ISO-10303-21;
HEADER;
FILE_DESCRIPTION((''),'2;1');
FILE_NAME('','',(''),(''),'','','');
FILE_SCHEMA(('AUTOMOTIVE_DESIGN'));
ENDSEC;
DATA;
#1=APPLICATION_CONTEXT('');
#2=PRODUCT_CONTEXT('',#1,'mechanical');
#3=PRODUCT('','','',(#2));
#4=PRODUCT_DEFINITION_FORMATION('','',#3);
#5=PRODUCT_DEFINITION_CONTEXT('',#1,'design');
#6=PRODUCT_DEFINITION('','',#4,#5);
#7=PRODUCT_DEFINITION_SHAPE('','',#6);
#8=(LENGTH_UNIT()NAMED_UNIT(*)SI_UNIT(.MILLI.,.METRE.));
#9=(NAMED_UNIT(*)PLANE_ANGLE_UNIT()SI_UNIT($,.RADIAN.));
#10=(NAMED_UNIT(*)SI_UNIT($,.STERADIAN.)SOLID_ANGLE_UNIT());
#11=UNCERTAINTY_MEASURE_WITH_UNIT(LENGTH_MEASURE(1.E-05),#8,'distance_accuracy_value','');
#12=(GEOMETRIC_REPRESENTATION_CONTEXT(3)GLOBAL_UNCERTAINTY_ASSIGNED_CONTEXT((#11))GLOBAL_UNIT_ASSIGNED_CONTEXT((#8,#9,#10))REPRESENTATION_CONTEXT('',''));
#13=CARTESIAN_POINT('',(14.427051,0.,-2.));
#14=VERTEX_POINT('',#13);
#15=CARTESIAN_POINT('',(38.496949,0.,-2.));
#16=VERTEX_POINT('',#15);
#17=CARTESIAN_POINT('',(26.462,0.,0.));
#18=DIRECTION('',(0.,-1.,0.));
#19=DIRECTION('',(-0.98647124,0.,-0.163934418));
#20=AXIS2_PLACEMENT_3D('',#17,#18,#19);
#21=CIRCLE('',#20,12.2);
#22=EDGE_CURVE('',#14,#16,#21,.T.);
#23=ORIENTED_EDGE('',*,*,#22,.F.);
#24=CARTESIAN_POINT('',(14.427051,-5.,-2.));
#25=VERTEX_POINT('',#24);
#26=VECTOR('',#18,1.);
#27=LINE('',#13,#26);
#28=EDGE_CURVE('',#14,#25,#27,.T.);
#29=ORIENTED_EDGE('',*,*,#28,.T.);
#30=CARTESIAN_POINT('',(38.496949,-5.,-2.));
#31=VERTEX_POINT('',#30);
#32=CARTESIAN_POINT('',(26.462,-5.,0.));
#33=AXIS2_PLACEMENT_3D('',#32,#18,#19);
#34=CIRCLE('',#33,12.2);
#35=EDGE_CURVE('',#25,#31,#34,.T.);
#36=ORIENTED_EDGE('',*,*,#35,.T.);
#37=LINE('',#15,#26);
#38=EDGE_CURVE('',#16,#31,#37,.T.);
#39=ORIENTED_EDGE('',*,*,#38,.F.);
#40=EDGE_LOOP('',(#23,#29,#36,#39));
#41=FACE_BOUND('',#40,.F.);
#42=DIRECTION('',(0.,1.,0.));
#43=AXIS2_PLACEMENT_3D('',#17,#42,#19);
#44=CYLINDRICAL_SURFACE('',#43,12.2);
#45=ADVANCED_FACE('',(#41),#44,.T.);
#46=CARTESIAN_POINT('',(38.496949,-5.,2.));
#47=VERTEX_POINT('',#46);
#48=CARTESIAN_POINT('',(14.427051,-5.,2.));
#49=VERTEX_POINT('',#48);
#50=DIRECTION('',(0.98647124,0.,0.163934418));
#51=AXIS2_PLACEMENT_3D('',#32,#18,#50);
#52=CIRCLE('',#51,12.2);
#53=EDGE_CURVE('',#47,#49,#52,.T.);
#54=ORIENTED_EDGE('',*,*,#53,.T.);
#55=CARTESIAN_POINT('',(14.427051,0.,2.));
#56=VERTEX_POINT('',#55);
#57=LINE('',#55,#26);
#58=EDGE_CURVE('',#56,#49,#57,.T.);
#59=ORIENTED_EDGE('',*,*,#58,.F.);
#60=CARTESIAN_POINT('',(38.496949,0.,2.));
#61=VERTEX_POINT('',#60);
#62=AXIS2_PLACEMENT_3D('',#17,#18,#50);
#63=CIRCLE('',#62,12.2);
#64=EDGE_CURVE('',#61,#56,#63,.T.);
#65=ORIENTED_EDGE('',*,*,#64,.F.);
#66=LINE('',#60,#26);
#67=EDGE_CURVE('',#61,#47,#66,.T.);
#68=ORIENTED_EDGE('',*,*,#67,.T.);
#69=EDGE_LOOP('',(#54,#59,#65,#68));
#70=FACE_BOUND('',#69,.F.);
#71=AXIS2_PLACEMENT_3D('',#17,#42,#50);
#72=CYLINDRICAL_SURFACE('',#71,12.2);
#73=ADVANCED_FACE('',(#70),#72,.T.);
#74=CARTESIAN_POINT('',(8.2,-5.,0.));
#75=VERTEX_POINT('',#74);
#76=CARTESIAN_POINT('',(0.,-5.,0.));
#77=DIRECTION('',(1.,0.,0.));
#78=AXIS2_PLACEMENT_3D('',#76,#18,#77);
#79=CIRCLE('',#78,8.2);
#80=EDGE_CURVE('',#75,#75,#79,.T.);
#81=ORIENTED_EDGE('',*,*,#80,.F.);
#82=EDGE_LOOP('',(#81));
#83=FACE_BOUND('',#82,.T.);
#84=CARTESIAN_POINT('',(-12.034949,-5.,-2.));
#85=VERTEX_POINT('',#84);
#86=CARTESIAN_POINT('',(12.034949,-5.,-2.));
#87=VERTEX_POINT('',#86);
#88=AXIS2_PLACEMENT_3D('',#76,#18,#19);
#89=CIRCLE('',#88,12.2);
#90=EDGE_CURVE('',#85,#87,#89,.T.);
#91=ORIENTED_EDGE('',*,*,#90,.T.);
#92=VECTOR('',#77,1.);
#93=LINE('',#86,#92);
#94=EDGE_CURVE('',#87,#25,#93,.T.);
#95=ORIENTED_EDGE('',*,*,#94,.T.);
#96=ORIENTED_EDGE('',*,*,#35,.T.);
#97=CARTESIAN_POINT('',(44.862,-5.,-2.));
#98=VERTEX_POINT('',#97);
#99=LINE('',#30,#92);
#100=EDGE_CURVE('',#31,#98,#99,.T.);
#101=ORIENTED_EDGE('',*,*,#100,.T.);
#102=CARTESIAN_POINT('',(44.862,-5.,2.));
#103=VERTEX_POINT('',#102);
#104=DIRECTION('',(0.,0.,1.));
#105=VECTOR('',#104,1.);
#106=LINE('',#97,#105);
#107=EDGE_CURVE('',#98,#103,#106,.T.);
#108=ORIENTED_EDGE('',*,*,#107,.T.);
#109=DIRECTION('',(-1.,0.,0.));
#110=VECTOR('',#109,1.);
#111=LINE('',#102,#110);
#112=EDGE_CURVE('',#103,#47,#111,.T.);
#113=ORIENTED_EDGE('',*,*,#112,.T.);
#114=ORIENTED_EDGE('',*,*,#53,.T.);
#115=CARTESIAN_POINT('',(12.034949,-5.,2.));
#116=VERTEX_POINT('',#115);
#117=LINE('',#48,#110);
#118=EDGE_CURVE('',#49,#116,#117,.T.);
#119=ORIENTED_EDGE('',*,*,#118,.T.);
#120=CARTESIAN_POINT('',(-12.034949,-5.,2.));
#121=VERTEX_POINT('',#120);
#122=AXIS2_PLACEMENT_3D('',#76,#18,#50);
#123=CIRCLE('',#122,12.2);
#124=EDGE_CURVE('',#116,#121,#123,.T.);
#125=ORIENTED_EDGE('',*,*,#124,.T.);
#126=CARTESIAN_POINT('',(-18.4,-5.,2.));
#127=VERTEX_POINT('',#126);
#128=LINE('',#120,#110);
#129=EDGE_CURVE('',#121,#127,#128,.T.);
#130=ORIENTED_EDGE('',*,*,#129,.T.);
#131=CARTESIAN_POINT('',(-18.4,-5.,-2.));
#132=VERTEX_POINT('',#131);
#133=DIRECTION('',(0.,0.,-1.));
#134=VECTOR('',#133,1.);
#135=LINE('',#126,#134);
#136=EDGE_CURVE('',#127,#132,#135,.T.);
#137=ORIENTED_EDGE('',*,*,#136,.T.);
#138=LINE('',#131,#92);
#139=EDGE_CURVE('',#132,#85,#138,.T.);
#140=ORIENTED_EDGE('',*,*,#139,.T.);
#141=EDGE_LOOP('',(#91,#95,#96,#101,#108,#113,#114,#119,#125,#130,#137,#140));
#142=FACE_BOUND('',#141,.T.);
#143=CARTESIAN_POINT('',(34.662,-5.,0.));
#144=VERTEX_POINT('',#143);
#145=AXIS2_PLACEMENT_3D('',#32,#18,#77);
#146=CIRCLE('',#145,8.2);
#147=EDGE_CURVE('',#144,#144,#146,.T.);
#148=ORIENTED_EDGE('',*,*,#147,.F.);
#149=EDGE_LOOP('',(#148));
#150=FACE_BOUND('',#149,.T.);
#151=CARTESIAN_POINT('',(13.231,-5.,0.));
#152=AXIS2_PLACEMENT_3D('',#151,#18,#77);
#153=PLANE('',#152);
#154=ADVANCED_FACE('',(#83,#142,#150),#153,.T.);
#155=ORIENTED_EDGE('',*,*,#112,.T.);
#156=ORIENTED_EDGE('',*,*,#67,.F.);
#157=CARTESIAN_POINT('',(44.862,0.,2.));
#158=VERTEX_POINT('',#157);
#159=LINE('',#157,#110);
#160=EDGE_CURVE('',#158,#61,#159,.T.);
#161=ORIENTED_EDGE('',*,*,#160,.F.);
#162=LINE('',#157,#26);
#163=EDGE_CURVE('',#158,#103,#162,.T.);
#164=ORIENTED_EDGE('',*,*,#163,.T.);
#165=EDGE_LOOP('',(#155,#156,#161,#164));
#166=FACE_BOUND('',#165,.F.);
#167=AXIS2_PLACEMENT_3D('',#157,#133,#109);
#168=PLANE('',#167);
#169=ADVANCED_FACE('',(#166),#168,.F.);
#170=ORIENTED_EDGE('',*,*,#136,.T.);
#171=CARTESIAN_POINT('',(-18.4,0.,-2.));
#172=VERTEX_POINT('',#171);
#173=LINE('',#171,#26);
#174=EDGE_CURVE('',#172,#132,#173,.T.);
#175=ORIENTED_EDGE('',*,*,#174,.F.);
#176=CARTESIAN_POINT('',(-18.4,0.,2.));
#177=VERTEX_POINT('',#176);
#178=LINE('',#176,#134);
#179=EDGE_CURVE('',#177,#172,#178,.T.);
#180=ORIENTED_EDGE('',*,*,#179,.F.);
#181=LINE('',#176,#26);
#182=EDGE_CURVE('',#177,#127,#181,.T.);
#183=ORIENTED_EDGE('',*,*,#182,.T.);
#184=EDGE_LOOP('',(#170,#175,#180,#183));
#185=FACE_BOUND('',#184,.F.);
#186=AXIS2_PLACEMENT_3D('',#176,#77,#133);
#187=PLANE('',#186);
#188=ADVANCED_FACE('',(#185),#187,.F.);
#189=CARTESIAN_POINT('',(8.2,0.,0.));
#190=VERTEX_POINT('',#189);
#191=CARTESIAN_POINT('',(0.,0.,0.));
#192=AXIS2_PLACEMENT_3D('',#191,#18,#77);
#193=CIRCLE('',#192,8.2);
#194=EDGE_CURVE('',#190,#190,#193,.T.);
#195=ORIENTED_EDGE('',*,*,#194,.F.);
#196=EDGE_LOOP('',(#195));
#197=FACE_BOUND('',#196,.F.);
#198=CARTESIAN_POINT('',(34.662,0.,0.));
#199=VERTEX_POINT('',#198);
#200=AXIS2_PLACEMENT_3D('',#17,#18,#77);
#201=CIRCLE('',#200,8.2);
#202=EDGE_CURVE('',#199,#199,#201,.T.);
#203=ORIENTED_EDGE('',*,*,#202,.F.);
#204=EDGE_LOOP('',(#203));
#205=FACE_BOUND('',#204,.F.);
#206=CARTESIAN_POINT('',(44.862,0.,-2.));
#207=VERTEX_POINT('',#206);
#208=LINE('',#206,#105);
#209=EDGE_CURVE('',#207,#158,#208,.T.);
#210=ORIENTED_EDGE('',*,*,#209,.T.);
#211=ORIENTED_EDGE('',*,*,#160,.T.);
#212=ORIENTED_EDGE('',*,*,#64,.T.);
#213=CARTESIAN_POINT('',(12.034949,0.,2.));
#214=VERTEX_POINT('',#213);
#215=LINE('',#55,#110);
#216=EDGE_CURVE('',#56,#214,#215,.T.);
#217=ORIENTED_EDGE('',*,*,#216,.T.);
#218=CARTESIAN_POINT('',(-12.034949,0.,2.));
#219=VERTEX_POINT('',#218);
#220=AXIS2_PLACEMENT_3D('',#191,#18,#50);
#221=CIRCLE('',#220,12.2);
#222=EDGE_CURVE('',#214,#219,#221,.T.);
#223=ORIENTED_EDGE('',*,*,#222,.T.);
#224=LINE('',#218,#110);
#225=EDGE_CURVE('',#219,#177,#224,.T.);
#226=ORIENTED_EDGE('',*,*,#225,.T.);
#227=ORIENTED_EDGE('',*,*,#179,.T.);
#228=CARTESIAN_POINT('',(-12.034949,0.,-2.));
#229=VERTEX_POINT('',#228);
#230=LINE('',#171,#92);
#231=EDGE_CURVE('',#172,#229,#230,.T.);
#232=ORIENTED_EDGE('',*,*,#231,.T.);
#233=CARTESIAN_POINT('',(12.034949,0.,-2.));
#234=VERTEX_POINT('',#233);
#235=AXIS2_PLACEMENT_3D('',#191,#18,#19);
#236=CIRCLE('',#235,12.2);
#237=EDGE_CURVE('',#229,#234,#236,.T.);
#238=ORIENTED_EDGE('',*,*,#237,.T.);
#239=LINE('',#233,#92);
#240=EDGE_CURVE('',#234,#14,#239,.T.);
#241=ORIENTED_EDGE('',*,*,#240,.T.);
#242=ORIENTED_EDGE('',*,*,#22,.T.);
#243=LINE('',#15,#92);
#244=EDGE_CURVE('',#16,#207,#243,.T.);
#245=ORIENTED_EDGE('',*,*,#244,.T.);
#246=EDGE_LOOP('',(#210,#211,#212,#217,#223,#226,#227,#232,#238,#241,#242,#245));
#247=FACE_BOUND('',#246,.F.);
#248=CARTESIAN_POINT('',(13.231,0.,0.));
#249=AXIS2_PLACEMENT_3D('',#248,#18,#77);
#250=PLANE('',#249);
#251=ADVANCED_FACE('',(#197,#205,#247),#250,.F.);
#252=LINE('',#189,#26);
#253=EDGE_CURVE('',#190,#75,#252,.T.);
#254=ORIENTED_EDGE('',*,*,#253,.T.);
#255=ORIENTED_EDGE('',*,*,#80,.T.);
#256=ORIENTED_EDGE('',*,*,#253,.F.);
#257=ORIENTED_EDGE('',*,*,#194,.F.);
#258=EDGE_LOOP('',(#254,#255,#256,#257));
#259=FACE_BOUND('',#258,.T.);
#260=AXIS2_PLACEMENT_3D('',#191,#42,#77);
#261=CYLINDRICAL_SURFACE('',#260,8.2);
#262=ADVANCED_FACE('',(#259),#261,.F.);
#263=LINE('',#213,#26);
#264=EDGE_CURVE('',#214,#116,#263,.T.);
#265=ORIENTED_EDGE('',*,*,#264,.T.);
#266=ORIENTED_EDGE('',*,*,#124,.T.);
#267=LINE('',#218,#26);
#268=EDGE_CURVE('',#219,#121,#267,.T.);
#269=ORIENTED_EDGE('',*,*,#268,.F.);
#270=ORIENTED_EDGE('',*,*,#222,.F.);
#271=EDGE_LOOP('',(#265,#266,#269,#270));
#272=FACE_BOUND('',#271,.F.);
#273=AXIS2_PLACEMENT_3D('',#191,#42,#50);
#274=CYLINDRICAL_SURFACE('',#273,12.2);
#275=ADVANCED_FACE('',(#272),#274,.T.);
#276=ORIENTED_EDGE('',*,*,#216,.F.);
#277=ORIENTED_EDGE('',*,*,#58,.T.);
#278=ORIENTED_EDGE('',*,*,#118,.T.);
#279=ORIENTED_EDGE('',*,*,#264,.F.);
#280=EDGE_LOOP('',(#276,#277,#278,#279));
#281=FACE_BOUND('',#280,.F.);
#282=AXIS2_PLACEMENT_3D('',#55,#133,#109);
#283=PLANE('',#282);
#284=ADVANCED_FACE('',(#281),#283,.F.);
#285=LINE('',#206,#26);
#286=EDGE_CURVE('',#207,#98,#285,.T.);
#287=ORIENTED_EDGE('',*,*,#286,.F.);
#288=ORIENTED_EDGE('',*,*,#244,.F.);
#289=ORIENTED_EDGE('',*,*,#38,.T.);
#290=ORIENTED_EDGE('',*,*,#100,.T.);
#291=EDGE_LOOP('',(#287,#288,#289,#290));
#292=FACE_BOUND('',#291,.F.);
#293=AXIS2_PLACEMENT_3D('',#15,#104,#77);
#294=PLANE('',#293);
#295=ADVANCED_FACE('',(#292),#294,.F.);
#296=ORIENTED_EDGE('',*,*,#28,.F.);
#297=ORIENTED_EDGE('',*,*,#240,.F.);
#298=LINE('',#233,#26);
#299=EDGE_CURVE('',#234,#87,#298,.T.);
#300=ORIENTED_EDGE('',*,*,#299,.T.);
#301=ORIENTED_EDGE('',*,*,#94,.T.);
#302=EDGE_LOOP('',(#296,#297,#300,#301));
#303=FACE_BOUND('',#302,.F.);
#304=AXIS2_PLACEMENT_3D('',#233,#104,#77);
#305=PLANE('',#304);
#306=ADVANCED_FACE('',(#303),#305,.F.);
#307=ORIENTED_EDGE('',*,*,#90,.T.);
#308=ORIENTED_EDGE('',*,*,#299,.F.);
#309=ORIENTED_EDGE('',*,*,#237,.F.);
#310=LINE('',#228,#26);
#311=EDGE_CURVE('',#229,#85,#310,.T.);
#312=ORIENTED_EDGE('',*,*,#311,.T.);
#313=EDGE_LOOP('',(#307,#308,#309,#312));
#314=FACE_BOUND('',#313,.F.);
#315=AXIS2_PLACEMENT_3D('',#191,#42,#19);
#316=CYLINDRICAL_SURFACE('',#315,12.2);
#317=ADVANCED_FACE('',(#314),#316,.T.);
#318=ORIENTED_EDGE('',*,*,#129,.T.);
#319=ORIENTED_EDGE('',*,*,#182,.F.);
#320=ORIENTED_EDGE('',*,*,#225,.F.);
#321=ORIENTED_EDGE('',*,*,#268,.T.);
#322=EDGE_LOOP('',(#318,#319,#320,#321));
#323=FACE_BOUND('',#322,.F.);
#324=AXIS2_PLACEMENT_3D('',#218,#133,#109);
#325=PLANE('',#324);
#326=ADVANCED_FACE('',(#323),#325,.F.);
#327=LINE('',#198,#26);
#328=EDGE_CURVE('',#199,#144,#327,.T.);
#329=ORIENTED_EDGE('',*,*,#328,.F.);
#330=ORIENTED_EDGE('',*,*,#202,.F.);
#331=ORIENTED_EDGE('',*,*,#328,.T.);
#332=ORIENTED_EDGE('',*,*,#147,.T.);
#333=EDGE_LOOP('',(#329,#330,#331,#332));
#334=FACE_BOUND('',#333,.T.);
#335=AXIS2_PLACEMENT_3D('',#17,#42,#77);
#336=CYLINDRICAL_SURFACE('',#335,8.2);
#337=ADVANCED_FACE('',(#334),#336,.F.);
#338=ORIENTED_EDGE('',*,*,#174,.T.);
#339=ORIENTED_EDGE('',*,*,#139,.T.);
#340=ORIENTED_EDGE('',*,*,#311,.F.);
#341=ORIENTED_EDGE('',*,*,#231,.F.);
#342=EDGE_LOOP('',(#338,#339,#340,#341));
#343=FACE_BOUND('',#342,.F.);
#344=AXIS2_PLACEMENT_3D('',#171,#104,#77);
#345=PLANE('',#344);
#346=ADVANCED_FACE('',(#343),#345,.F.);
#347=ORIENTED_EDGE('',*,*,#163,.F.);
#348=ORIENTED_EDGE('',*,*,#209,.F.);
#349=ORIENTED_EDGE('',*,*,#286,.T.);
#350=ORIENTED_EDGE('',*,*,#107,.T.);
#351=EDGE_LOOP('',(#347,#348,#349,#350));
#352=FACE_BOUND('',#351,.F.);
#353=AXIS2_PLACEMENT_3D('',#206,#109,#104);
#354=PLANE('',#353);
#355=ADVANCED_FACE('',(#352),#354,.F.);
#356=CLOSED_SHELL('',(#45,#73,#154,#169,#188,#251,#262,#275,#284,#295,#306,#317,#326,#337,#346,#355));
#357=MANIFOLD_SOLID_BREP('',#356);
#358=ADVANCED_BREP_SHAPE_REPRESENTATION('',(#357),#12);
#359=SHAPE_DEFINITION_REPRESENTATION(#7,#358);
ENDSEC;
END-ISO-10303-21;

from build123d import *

# Parameters (mm, degrees)
F0_R     = 8.2
F1_DEPTH = 5


with BuildPart() as f1:
    # F0 (on Front) → F1 (new body)
    with BuildSketch(Plane.XZ):
        with BuildLine():
            Line((-18.4, -2), (-12.034949, -2))
            ThreePointArc((-12.034949, -2), (0, -12.2), (12.034949, -2))
            Line((12.034949, -2), (14.427051, -2))
            ThreePointArc((14.427051, -2), (26.462, -12.2), (38.496949, -2))
            Line((38.496949, -2), (44.862, -2))
            Line((44.862, -2), (44.862, 2))
            Line((44.862, 2), (38.496949, 2))
            ThreePointArc((38.496949, 2), (26.462, 12.2), (14.427051, 2))
            Line((14.427051, 2), (12.034949, 2))
            ThreePointArc((12.034949, 2), (0, 12.2), (-12.034949, 2))
            Line((-12.034949, 2), (-18.4, 2))
            Line((-18.4, 2), (-18.4, -2))
        make_face()
        Circle(F0_R, mode=Mode.SUBTRACT)
        with Locations((26.462, 0)):
            Circle(F0_R, mode=Mode.SUBTRACT)
    extrude(amount=F1_DEPTH)


solid = f1.part
